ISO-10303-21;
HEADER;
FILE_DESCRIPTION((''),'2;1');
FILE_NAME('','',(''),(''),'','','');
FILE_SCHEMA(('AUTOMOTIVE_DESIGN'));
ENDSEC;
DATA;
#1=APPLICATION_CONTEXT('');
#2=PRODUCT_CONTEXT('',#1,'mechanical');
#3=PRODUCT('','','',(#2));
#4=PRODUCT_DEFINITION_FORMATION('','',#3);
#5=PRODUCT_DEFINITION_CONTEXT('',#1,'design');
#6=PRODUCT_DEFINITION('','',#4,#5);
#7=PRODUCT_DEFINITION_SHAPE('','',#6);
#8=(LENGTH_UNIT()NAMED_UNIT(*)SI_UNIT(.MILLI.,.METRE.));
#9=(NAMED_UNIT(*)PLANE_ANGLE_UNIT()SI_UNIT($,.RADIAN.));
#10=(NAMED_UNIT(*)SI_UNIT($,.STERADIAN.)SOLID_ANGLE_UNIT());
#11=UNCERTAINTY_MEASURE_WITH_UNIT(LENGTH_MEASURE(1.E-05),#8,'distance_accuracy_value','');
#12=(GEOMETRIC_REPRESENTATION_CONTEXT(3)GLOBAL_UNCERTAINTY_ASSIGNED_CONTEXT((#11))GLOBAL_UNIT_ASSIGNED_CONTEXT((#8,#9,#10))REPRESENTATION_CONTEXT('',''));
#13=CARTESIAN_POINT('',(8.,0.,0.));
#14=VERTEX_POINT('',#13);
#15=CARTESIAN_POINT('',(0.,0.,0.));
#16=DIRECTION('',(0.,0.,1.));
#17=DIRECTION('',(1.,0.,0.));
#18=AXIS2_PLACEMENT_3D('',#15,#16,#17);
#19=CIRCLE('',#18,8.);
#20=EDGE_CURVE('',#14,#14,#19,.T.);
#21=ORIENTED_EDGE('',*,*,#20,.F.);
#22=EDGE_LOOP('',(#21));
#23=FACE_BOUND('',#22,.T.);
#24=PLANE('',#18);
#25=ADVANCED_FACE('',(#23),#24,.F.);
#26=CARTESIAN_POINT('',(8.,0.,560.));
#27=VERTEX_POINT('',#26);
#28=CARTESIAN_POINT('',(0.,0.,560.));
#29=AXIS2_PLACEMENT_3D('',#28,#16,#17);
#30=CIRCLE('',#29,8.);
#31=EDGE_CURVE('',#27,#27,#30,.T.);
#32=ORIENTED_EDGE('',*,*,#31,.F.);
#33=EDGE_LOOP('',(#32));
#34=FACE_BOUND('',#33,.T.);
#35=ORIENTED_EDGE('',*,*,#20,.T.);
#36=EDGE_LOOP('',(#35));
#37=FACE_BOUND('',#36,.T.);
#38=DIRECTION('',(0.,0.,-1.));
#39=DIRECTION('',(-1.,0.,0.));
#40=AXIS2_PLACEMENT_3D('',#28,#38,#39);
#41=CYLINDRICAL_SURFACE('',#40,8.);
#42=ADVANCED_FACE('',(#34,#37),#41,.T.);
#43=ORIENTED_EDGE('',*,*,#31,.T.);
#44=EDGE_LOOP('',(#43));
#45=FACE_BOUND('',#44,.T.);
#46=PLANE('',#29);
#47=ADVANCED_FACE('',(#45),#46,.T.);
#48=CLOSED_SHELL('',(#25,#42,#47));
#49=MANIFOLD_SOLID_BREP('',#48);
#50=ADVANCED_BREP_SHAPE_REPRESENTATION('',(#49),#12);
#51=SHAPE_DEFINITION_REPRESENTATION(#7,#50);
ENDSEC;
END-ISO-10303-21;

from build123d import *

# Parameters (mm, degrees)
ESQUISSE1_R        = 8
BOSS_EXTRU_1_DEPTH = 560


with BuildPart() as part:
    # Esquisse1 → Boss.-Extru.1 (new body)
    with BuildSketch(Plane.XY):
        Circle(ESQUISSE1_R)
    extrude(amount=BOSS_EXTRU_1_DEPTH)


solid = part.part
